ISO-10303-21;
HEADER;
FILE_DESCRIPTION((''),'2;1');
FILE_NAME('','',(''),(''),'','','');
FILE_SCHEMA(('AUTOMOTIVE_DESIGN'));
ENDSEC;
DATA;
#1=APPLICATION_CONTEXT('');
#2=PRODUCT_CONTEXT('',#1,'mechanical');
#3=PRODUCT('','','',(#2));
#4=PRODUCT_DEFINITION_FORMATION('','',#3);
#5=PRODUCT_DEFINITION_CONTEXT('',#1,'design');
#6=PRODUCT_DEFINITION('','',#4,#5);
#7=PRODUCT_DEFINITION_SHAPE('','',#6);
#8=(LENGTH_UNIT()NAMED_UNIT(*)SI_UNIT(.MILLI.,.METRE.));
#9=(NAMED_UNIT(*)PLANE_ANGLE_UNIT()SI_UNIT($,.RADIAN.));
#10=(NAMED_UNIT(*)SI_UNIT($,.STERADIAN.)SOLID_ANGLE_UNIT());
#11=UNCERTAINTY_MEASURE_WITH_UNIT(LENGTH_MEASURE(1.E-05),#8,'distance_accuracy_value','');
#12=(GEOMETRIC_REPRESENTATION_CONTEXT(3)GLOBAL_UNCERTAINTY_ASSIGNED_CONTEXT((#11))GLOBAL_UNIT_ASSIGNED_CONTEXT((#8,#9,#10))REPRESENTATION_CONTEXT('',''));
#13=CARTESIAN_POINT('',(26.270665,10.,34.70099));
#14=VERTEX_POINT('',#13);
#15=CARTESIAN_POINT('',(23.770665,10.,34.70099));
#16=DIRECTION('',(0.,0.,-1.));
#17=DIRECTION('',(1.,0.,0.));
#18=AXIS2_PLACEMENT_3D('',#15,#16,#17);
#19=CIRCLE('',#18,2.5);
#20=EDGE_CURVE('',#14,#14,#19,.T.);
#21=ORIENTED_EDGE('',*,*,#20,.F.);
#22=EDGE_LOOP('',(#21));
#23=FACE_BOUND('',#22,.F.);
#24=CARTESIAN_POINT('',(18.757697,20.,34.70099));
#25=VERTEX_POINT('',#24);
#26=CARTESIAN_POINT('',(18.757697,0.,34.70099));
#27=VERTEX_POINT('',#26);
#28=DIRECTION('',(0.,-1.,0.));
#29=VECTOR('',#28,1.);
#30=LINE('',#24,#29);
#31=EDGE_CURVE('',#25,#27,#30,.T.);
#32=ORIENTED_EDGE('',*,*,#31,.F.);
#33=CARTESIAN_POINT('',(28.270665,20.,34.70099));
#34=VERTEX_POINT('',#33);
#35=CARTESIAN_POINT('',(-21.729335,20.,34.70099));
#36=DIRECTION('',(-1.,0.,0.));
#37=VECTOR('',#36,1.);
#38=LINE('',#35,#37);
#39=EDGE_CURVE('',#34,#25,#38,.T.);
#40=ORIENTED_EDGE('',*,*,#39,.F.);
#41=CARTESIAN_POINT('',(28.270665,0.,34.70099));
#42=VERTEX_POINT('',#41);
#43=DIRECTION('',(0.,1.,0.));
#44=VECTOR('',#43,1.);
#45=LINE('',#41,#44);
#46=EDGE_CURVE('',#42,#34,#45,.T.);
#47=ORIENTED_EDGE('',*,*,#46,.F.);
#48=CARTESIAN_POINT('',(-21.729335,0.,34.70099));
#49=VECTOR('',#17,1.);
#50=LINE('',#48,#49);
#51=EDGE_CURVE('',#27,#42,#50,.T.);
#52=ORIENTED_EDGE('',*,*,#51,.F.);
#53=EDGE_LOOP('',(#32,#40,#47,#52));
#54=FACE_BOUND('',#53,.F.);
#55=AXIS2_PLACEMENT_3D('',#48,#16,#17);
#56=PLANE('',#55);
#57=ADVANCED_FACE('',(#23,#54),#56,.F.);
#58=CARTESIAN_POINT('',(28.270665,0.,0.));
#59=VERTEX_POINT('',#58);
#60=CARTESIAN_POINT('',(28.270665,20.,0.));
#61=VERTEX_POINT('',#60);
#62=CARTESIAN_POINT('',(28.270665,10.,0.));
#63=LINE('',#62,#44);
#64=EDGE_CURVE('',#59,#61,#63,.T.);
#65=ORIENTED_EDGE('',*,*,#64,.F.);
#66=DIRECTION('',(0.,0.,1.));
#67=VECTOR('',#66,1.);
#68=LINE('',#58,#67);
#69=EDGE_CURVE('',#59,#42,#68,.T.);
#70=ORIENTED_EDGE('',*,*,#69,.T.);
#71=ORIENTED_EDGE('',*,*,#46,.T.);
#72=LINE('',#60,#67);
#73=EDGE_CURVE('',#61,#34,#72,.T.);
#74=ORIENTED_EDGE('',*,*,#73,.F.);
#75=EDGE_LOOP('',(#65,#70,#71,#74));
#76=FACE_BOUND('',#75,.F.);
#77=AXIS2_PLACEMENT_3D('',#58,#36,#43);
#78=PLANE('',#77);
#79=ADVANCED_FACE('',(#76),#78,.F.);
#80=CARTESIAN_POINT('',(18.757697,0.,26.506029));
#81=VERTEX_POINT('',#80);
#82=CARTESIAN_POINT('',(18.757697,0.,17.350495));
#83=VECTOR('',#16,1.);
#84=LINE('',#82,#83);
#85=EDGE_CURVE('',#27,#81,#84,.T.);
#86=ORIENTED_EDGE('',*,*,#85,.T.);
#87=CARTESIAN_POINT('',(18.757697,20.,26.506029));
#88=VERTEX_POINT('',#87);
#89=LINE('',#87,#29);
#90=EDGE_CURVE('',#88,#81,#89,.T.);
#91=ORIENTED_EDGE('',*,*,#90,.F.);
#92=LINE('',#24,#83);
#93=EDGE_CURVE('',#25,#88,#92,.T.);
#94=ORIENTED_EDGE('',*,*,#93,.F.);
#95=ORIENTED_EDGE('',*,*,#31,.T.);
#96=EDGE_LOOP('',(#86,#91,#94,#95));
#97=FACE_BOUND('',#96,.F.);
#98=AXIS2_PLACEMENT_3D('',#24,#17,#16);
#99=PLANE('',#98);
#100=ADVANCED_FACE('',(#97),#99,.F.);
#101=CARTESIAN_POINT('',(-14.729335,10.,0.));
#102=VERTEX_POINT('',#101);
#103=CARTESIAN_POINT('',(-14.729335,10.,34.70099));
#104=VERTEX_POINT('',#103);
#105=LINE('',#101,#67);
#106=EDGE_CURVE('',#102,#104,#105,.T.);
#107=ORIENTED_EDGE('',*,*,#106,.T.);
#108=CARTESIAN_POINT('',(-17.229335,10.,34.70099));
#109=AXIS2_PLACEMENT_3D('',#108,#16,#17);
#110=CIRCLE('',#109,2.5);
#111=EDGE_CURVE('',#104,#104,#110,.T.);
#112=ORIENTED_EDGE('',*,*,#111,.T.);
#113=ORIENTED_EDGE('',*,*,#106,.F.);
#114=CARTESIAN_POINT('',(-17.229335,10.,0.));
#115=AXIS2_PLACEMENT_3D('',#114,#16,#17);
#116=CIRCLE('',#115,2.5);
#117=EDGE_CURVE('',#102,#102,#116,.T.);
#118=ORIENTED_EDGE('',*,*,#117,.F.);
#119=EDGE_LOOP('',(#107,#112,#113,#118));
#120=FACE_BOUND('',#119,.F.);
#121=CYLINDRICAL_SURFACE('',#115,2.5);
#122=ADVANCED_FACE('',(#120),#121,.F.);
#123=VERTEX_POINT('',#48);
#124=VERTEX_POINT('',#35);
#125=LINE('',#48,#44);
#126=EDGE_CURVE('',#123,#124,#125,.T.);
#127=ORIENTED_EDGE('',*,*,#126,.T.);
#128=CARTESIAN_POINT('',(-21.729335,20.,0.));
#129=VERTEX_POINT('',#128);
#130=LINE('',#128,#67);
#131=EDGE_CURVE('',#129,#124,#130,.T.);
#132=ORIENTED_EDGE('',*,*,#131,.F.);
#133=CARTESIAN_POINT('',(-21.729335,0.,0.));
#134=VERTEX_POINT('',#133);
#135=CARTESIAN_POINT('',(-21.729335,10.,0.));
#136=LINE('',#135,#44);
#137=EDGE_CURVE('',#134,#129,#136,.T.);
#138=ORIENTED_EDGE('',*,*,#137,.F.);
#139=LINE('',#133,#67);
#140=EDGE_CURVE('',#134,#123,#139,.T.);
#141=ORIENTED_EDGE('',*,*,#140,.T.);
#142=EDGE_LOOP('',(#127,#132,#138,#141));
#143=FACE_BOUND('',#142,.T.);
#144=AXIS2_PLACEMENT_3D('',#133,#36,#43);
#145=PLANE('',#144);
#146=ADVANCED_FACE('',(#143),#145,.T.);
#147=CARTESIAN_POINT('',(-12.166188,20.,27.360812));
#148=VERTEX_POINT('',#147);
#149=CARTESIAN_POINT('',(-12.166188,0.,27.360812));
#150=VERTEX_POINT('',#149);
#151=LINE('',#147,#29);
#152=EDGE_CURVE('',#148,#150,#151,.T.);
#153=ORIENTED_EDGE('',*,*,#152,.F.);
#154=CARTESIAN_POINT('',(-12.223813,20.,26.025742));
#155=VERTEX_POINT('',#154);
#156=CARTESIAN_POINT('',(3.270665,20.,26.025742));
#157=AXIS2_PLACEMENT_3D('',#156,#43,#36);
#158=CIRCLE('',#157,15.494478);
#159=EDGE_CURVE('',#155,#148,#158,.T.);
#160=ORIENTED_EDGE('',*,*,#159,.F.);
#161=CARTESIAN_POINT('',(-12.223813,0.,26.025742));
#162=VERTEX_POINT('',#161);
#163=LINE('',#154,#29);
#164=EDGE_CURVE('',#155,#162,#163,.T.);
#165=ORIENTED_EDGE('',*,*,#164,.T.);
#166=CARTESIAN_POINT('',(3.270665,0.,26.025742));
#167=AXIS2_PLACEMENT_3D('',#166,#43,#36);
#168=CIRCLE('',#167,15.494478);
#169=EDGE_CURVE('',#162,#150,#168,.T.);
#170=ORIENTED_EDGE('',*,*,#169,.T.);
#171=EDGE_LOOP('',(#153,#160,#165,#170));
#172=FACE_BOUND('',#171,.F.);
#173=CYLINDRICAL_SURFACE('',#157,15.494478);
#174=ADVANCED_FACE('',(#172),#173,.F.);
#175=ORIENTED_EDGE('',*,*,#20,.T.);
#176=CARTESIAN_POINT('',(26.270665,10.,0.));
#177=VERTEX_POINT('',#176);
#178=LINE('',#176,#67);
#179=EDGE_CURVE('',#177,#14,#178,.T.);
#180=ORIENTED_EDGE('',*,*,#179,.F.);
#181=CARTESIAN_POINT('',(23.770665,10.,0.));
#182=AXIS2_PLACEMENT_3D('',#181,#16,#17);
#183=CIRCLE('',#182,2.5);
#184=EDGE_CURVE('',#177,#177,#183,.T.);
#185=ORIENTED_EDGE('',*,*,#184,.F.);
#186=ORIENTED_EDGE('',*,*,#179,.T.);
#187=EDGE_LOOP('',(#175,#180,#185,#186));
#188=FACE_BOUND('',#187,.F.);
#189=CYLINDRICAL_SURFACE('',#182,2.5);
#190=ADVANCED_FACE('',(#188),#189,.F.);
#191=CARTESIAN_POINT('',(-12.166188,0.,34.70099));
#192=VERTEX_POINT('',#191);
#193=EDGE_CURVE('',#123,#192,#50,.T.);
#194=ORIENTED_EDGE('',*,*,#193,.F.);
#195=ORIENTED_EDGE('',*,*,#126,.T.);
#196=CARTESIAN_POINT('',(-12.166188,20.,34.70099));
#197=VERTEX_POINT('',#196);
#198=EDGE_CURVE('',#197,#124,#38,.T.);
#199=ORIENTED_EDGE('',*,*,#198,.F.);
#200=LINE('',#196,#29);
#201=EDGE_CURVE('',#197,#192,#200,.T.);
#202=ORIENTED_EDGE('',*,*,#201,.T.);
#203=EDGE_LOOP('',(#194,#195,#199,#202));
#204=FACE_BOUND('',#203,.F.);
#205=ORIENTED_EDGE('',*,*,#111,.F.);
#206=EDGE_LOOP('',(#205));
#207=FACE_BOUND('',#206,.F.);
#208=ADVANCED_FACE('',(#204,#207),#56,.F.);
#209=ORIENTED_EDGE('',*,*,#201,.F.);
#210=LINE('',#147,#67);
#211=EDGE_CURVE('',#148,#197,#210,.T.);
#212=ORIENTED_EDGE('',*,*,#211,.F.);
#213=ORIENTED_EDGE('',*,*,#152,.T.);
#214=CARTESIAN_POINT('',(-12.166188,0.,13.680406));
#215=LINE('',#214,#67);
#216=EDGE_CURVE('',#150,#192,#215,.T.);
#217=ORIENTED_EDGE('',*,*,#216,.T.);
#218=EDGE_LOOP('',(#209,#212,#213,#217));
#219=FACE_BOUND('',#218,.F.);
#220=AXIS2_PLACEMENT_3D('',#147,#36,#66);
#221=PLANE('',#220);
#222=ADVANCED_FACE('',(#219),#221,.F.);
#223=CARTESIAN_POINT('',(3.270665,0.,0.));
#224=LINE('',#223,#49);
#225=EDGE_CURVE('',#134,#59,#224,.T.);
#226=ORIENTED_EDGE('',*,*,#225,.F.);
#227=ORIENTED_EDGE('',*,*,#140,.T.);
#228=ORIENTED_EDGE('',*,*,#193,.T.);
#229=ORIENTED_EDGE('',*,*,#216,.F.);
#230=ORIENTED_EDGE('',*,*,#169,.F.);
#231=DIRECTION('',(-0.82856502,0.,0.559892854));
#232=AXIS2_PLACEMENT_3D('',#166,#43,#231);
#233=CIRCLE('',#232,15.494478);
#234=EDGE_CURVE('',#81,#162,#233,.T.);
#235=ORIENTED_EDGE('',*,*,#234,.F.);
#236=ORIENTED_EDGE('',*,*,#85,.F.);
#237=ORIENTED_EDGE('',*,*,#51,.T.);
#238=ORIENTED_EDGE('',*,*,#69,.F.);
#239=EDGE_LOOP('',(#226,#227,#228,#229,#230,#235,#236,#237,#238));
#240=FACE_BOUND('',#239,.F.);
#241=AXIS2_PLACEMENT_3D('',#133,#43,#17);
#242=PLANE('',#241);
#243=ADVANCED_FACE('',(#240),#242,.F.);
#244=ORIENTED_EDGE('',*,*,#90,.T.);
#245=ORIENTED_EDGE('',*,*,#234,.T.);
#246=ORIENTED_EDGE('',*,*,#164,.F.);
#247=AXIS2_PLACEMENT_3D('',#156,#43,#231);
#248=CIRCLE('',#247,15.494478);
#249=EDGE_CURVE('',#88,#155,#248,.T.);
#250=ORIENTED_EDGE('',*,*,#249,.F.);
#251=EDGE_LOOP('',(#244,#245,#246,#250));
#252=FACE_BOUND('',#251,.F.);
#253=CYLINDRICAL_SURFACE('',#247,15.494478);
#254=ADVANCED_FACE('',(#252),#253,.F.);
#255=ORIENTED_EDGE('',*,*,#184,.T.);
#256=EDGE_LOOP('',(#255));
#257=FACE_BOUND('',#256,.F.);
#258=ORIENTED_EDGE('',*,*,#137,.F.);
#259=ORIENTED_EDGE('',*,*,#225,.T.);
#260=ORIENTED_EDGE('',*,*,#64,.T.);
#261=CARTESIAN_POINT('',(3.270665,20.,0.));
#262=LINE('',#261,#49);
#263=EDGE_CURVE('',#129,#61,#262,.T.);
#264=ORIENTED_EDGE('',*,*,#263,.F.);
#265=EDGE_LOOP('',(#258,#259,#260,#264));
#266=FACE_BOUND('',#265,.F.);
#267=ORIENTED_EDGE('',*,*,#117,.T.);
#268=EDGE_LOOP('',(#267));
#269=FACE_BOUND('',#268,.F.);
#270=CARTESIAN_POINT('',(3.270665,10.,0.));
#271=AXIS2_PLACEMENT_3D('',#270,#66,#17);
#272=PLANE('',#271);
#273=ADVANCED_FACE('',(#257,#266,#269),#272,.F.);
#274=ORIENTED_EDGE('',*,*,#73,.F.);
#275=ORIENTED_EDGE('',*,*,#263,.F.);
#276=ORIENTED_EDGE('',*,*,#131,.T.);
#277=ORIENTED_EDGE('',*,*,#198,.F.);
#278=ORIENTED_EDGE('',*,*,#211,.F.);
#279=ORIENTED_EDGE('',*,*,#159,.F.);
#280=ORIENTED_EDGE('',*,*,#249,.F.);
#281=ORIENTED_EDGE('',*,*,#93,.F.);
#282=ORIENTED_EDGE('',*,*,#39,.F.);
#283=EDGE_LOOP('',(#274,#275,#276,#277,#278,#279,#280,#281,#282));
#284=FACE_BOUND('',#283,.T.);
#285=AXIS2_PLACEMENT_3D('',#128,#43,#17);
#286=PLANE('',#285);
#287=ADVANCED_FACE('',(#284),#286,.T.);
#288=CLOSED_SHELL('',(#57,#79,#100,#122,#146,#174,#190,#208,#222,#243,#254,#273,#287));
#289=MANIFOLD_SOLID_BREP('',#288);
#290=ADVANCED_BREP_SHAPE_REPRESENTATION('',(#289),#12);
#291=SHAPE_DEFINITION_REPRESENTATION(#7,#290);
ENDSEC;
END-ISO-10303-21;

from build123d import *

# Parameters (mm, degrees)
F0_W     = 50
F0_H     = 20
F1_DEPTH = 60
F2_W     = 9
F2_H     = 25.2990102768
F2_W_2   = 32
F3_DEPTH = 25
F4_R     = 2.5
F5_DEPTH = 60
F7_DEPTH = 25
F9_DEPTH = 25


with BuildPart() as f1:
    # F0 (on Top) → F1 (new body)
    with BuildSketch(Plane.XY):
        with Locations((3.2706648111, 10)):
            Rectangle(F0_W, F0_H)
    extrude(amount=F1_DEPTH)

    # F2 (on face) → F3 (cut)
    with BuildSketch(Plane.XZ):
        with Locations((-17.2293351889, 47.3504948616)):
            Rectangle(F2_W, F2_H)
        with Locations((23.7706648111, 47.3504948616)):
            Rectangle(F2_W, F2_H)
        with Locations((3.2706648111, 47.3504948616)):
            Rectangle(F2_W_2, F2_H)
    extrude(amount=-F3_DEPTH, mode=Mode.SUBTRACT)

    # F4 (on face) → F5 (cut)
    with BuildSketch(Plane(origin=(0, 0, 0), x_dir=(1, 0, 0), z_dir=(0, 0, -1))):
        with Locations((23.7706648111, -10)):
            Circle(F4_R)
        with Locations((-17.2293351889, -10)):
            Circle(F4_R)
    extrude(amount=-F5_DEPTH, mode=Mode.SUBTRACT)

    # F6 (on face) → F7 (cut)
    with BuildSketch(Plane(origin=(0, 20, 0), x_dir=(-1, 0, 0), z_dir=(0, 1, 0))):
        with BuildLine():
            Line((-16.1088471688, 34.7009897232), (9.5675175466, 34.7009897232))
            ThreePointArc((9.5675175466, 34.7009897232), (-3.2706648111, 41.520220155), (-16.1088471688, 34.7009897232))
        make_face()
        with BuildLine():
            ThreePointArc((12.2238130515, 26.0257422924), (11.5448638087, 30.562145708), (9.5675175466, 34.7009897232))
            Line((9.5675175466, 34.7009897232), (-16.1088471688, 34.7009897232))
            ThreePointArc((-16.1088471688, 34.7009897232), (-7.8070682267, 11.2102136725), (12.2238130515, 26.0257422924))
        make_face()
    extrude(amount=-F7_DEPTH, mode=Mode.SUBTRACT)

    # F8 (on face) → F9 (cut)
    with BuildSketch(Plane(origin=(0, 20, 0), x_dir=(-1, 0, 0), z_dir=(0, 1, 0))):
        with BuildLine():
            Line((-18.7576970823, 34.7009897232), (-18.7576970823, 26.5060293604))
            ThreePointArc((-18.7576970823, 26.5060293604), (-18.0140969007, 30.7912490289), (-16.1088471688, 34.7009897232))
            Line((-16.1088471688, 34.7009897232), (-18.7576970823, 34.7009897232))
        make_face()
        with BuildLine():
            ThreePointArc((9.5675175466, 34.7009897232), (11.3354625842, 31.1968047313), (12.1661882356, 27.3608124208))
            Line((12.1661882356, 27.3608124208), (12.1661882356, 34.7009897232))
            Line((12.1661882356, 34.7009897232), (9.5675175466, 34.7009897232))
        make_face()
    extrude(amount=-F9_DEPTH, mode=Mode.SUBTRACT)


solid = f1.part
